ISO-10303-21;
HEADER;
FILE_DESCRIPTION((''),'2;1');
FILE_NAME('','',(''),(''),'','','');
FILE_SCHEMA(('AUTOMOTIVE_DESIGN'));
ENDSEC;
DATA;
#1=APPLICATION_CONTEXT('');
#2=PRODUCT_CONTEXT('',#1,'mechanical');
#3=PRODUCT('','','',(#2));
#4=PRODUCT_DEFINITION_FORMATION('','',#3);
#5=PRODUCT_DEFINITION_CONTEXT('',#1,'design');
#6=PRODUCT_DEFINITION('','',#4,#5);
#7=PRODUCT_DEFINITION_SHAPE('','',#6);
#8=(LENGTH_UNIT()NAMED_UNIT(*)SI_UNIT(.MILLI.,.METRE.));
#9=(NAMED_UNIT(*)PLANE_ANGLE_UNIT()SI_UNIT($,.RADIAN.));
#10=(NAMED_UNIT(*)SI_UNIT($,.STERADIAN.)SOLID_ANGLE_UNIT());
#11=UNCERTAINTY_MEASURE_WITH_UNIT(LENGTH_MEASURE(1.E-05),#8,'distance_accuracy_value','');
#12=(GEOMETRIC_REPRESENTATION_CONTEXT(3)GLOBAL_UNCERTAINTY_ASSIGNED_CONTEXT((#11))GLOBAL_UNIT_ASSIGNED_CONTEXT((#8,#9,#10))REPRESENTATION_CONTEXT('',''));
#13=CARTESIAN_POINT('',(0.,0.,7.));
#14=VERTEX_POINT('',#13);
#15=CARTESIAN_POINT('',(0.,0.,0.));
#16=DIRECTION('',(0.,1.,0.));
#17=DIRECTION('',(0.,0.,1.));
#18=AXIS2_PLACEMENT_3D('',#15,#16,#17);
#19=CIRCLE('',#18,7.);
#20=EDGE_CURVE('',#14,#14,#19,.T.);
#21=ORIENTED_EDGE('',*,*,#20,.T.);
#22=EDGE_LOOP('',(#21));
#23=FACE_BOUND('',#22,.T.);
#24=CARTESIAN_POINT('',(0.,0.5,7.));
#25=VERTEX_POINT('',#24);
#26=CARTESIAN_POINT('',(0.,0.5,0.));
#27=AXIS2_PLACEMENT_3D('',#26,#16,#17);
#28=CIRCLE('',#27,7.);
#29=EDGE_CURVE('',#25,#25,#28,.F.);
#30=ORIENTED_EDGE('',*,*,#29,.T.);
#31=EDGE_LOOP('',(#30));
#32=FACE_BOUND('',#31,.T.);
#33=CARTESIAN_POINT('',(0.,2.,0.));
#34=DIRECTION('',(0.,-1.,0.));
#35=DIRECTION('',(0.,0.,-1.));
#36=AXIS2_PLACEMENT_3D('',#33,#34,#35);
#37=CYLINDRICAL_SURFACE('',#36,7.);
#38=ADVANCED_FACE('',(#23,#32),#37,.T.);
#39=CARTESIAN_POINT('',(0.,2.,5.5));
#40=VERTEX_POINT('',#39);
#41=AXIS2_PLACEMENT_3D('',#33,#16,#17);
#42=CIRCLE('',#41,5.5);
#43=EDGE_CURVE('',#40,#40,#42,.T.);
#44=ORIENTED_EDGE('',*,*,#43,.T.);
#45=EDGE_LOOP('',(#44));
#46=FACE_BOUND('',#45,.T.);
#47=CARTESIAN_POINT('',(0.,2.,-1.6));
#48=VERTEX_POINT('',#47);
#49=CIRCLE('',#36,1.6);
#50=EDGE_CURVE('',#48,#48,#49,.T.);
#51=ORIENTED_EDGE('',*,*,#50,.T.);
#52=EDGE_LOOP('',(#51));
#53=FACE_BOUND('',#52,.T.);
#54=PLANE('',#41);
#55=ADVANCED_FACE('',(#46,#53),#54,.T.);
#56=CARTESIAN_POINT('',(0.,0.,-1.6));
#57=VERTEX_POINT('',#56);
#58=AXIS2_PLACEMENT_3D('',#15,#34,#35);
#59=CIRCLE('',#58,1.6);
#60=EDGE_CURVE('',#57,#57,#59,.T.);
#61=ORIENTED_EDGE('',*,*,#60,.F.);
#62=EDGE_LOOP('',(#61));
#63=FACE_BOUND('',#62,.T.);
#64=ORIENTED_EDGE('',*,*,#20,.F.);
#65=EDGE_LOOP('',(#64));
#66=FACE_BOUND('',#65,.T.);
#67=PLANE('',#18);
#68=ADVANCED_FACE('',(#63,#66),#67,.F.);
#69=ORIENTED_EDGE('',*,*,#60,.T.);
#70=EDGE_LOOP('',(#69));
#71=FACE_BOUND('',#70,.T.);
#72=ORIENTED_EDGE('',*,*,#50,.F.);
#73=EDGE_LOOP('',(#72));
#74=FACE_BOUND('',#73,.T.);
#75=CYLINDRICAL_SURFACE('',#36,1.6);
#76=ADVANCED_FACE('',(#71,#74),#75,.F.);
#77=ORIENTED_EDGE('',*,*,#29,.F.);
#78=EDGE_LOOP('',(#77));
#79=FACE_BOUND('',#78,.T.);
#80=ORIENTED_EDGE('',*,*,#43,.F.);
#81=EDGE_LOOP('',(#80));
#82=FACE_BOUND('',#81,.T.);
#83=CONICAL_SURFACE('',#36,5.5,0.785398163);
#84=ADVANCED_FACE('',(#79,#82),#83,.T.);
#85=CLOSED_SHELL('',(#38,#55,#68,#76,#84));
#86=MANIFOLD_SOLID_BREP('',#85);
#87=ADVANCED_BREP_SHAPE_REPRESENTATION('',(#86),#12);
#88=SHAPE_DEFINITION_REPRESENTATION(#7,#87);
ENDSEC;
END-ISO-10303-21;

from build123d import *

# Parameters (mm, degrees)
SKETCH_1_R          = 7
EXTRUDE_1_DEPTH     = 2
CHAMFER_1_SIZE      = 1.5
SKETCH_2_R          = 1.6
CUT_EXTRUDE_1_DEPTH = 3


with BuildPart() as part:
    # Эскиз1 → Бобышка-Вытянуть1 (new body)
    with BuildSketch(Plane(origin=(0, 0, 0), x_dir=(1, 0, 0), z_dir=(0, 1, 0))):
        Circle(SKETCH_1_R)
    extrude(amount=EXTRUDE_1_DEPTH)

    # Фаска1
    chamfer_1_edges = [part.edges().sort_by_distance(p)[0] for p in [
        (-7, 2, 0),
    ]]
    chamfer(chamfer_1_edges, length=CHAMFER_1_SIZE)

    # Эскиз2 → Вырез-Вытянуть1 (cut, through all)
    with BuildSketch(Plane.XZ):
        Circle(SKETCH_2_R)
    extrude(amount=-CUT_EXTRUDE_1_DEPTH, mode=Mode.SUBTRACT)


solid = part.part
